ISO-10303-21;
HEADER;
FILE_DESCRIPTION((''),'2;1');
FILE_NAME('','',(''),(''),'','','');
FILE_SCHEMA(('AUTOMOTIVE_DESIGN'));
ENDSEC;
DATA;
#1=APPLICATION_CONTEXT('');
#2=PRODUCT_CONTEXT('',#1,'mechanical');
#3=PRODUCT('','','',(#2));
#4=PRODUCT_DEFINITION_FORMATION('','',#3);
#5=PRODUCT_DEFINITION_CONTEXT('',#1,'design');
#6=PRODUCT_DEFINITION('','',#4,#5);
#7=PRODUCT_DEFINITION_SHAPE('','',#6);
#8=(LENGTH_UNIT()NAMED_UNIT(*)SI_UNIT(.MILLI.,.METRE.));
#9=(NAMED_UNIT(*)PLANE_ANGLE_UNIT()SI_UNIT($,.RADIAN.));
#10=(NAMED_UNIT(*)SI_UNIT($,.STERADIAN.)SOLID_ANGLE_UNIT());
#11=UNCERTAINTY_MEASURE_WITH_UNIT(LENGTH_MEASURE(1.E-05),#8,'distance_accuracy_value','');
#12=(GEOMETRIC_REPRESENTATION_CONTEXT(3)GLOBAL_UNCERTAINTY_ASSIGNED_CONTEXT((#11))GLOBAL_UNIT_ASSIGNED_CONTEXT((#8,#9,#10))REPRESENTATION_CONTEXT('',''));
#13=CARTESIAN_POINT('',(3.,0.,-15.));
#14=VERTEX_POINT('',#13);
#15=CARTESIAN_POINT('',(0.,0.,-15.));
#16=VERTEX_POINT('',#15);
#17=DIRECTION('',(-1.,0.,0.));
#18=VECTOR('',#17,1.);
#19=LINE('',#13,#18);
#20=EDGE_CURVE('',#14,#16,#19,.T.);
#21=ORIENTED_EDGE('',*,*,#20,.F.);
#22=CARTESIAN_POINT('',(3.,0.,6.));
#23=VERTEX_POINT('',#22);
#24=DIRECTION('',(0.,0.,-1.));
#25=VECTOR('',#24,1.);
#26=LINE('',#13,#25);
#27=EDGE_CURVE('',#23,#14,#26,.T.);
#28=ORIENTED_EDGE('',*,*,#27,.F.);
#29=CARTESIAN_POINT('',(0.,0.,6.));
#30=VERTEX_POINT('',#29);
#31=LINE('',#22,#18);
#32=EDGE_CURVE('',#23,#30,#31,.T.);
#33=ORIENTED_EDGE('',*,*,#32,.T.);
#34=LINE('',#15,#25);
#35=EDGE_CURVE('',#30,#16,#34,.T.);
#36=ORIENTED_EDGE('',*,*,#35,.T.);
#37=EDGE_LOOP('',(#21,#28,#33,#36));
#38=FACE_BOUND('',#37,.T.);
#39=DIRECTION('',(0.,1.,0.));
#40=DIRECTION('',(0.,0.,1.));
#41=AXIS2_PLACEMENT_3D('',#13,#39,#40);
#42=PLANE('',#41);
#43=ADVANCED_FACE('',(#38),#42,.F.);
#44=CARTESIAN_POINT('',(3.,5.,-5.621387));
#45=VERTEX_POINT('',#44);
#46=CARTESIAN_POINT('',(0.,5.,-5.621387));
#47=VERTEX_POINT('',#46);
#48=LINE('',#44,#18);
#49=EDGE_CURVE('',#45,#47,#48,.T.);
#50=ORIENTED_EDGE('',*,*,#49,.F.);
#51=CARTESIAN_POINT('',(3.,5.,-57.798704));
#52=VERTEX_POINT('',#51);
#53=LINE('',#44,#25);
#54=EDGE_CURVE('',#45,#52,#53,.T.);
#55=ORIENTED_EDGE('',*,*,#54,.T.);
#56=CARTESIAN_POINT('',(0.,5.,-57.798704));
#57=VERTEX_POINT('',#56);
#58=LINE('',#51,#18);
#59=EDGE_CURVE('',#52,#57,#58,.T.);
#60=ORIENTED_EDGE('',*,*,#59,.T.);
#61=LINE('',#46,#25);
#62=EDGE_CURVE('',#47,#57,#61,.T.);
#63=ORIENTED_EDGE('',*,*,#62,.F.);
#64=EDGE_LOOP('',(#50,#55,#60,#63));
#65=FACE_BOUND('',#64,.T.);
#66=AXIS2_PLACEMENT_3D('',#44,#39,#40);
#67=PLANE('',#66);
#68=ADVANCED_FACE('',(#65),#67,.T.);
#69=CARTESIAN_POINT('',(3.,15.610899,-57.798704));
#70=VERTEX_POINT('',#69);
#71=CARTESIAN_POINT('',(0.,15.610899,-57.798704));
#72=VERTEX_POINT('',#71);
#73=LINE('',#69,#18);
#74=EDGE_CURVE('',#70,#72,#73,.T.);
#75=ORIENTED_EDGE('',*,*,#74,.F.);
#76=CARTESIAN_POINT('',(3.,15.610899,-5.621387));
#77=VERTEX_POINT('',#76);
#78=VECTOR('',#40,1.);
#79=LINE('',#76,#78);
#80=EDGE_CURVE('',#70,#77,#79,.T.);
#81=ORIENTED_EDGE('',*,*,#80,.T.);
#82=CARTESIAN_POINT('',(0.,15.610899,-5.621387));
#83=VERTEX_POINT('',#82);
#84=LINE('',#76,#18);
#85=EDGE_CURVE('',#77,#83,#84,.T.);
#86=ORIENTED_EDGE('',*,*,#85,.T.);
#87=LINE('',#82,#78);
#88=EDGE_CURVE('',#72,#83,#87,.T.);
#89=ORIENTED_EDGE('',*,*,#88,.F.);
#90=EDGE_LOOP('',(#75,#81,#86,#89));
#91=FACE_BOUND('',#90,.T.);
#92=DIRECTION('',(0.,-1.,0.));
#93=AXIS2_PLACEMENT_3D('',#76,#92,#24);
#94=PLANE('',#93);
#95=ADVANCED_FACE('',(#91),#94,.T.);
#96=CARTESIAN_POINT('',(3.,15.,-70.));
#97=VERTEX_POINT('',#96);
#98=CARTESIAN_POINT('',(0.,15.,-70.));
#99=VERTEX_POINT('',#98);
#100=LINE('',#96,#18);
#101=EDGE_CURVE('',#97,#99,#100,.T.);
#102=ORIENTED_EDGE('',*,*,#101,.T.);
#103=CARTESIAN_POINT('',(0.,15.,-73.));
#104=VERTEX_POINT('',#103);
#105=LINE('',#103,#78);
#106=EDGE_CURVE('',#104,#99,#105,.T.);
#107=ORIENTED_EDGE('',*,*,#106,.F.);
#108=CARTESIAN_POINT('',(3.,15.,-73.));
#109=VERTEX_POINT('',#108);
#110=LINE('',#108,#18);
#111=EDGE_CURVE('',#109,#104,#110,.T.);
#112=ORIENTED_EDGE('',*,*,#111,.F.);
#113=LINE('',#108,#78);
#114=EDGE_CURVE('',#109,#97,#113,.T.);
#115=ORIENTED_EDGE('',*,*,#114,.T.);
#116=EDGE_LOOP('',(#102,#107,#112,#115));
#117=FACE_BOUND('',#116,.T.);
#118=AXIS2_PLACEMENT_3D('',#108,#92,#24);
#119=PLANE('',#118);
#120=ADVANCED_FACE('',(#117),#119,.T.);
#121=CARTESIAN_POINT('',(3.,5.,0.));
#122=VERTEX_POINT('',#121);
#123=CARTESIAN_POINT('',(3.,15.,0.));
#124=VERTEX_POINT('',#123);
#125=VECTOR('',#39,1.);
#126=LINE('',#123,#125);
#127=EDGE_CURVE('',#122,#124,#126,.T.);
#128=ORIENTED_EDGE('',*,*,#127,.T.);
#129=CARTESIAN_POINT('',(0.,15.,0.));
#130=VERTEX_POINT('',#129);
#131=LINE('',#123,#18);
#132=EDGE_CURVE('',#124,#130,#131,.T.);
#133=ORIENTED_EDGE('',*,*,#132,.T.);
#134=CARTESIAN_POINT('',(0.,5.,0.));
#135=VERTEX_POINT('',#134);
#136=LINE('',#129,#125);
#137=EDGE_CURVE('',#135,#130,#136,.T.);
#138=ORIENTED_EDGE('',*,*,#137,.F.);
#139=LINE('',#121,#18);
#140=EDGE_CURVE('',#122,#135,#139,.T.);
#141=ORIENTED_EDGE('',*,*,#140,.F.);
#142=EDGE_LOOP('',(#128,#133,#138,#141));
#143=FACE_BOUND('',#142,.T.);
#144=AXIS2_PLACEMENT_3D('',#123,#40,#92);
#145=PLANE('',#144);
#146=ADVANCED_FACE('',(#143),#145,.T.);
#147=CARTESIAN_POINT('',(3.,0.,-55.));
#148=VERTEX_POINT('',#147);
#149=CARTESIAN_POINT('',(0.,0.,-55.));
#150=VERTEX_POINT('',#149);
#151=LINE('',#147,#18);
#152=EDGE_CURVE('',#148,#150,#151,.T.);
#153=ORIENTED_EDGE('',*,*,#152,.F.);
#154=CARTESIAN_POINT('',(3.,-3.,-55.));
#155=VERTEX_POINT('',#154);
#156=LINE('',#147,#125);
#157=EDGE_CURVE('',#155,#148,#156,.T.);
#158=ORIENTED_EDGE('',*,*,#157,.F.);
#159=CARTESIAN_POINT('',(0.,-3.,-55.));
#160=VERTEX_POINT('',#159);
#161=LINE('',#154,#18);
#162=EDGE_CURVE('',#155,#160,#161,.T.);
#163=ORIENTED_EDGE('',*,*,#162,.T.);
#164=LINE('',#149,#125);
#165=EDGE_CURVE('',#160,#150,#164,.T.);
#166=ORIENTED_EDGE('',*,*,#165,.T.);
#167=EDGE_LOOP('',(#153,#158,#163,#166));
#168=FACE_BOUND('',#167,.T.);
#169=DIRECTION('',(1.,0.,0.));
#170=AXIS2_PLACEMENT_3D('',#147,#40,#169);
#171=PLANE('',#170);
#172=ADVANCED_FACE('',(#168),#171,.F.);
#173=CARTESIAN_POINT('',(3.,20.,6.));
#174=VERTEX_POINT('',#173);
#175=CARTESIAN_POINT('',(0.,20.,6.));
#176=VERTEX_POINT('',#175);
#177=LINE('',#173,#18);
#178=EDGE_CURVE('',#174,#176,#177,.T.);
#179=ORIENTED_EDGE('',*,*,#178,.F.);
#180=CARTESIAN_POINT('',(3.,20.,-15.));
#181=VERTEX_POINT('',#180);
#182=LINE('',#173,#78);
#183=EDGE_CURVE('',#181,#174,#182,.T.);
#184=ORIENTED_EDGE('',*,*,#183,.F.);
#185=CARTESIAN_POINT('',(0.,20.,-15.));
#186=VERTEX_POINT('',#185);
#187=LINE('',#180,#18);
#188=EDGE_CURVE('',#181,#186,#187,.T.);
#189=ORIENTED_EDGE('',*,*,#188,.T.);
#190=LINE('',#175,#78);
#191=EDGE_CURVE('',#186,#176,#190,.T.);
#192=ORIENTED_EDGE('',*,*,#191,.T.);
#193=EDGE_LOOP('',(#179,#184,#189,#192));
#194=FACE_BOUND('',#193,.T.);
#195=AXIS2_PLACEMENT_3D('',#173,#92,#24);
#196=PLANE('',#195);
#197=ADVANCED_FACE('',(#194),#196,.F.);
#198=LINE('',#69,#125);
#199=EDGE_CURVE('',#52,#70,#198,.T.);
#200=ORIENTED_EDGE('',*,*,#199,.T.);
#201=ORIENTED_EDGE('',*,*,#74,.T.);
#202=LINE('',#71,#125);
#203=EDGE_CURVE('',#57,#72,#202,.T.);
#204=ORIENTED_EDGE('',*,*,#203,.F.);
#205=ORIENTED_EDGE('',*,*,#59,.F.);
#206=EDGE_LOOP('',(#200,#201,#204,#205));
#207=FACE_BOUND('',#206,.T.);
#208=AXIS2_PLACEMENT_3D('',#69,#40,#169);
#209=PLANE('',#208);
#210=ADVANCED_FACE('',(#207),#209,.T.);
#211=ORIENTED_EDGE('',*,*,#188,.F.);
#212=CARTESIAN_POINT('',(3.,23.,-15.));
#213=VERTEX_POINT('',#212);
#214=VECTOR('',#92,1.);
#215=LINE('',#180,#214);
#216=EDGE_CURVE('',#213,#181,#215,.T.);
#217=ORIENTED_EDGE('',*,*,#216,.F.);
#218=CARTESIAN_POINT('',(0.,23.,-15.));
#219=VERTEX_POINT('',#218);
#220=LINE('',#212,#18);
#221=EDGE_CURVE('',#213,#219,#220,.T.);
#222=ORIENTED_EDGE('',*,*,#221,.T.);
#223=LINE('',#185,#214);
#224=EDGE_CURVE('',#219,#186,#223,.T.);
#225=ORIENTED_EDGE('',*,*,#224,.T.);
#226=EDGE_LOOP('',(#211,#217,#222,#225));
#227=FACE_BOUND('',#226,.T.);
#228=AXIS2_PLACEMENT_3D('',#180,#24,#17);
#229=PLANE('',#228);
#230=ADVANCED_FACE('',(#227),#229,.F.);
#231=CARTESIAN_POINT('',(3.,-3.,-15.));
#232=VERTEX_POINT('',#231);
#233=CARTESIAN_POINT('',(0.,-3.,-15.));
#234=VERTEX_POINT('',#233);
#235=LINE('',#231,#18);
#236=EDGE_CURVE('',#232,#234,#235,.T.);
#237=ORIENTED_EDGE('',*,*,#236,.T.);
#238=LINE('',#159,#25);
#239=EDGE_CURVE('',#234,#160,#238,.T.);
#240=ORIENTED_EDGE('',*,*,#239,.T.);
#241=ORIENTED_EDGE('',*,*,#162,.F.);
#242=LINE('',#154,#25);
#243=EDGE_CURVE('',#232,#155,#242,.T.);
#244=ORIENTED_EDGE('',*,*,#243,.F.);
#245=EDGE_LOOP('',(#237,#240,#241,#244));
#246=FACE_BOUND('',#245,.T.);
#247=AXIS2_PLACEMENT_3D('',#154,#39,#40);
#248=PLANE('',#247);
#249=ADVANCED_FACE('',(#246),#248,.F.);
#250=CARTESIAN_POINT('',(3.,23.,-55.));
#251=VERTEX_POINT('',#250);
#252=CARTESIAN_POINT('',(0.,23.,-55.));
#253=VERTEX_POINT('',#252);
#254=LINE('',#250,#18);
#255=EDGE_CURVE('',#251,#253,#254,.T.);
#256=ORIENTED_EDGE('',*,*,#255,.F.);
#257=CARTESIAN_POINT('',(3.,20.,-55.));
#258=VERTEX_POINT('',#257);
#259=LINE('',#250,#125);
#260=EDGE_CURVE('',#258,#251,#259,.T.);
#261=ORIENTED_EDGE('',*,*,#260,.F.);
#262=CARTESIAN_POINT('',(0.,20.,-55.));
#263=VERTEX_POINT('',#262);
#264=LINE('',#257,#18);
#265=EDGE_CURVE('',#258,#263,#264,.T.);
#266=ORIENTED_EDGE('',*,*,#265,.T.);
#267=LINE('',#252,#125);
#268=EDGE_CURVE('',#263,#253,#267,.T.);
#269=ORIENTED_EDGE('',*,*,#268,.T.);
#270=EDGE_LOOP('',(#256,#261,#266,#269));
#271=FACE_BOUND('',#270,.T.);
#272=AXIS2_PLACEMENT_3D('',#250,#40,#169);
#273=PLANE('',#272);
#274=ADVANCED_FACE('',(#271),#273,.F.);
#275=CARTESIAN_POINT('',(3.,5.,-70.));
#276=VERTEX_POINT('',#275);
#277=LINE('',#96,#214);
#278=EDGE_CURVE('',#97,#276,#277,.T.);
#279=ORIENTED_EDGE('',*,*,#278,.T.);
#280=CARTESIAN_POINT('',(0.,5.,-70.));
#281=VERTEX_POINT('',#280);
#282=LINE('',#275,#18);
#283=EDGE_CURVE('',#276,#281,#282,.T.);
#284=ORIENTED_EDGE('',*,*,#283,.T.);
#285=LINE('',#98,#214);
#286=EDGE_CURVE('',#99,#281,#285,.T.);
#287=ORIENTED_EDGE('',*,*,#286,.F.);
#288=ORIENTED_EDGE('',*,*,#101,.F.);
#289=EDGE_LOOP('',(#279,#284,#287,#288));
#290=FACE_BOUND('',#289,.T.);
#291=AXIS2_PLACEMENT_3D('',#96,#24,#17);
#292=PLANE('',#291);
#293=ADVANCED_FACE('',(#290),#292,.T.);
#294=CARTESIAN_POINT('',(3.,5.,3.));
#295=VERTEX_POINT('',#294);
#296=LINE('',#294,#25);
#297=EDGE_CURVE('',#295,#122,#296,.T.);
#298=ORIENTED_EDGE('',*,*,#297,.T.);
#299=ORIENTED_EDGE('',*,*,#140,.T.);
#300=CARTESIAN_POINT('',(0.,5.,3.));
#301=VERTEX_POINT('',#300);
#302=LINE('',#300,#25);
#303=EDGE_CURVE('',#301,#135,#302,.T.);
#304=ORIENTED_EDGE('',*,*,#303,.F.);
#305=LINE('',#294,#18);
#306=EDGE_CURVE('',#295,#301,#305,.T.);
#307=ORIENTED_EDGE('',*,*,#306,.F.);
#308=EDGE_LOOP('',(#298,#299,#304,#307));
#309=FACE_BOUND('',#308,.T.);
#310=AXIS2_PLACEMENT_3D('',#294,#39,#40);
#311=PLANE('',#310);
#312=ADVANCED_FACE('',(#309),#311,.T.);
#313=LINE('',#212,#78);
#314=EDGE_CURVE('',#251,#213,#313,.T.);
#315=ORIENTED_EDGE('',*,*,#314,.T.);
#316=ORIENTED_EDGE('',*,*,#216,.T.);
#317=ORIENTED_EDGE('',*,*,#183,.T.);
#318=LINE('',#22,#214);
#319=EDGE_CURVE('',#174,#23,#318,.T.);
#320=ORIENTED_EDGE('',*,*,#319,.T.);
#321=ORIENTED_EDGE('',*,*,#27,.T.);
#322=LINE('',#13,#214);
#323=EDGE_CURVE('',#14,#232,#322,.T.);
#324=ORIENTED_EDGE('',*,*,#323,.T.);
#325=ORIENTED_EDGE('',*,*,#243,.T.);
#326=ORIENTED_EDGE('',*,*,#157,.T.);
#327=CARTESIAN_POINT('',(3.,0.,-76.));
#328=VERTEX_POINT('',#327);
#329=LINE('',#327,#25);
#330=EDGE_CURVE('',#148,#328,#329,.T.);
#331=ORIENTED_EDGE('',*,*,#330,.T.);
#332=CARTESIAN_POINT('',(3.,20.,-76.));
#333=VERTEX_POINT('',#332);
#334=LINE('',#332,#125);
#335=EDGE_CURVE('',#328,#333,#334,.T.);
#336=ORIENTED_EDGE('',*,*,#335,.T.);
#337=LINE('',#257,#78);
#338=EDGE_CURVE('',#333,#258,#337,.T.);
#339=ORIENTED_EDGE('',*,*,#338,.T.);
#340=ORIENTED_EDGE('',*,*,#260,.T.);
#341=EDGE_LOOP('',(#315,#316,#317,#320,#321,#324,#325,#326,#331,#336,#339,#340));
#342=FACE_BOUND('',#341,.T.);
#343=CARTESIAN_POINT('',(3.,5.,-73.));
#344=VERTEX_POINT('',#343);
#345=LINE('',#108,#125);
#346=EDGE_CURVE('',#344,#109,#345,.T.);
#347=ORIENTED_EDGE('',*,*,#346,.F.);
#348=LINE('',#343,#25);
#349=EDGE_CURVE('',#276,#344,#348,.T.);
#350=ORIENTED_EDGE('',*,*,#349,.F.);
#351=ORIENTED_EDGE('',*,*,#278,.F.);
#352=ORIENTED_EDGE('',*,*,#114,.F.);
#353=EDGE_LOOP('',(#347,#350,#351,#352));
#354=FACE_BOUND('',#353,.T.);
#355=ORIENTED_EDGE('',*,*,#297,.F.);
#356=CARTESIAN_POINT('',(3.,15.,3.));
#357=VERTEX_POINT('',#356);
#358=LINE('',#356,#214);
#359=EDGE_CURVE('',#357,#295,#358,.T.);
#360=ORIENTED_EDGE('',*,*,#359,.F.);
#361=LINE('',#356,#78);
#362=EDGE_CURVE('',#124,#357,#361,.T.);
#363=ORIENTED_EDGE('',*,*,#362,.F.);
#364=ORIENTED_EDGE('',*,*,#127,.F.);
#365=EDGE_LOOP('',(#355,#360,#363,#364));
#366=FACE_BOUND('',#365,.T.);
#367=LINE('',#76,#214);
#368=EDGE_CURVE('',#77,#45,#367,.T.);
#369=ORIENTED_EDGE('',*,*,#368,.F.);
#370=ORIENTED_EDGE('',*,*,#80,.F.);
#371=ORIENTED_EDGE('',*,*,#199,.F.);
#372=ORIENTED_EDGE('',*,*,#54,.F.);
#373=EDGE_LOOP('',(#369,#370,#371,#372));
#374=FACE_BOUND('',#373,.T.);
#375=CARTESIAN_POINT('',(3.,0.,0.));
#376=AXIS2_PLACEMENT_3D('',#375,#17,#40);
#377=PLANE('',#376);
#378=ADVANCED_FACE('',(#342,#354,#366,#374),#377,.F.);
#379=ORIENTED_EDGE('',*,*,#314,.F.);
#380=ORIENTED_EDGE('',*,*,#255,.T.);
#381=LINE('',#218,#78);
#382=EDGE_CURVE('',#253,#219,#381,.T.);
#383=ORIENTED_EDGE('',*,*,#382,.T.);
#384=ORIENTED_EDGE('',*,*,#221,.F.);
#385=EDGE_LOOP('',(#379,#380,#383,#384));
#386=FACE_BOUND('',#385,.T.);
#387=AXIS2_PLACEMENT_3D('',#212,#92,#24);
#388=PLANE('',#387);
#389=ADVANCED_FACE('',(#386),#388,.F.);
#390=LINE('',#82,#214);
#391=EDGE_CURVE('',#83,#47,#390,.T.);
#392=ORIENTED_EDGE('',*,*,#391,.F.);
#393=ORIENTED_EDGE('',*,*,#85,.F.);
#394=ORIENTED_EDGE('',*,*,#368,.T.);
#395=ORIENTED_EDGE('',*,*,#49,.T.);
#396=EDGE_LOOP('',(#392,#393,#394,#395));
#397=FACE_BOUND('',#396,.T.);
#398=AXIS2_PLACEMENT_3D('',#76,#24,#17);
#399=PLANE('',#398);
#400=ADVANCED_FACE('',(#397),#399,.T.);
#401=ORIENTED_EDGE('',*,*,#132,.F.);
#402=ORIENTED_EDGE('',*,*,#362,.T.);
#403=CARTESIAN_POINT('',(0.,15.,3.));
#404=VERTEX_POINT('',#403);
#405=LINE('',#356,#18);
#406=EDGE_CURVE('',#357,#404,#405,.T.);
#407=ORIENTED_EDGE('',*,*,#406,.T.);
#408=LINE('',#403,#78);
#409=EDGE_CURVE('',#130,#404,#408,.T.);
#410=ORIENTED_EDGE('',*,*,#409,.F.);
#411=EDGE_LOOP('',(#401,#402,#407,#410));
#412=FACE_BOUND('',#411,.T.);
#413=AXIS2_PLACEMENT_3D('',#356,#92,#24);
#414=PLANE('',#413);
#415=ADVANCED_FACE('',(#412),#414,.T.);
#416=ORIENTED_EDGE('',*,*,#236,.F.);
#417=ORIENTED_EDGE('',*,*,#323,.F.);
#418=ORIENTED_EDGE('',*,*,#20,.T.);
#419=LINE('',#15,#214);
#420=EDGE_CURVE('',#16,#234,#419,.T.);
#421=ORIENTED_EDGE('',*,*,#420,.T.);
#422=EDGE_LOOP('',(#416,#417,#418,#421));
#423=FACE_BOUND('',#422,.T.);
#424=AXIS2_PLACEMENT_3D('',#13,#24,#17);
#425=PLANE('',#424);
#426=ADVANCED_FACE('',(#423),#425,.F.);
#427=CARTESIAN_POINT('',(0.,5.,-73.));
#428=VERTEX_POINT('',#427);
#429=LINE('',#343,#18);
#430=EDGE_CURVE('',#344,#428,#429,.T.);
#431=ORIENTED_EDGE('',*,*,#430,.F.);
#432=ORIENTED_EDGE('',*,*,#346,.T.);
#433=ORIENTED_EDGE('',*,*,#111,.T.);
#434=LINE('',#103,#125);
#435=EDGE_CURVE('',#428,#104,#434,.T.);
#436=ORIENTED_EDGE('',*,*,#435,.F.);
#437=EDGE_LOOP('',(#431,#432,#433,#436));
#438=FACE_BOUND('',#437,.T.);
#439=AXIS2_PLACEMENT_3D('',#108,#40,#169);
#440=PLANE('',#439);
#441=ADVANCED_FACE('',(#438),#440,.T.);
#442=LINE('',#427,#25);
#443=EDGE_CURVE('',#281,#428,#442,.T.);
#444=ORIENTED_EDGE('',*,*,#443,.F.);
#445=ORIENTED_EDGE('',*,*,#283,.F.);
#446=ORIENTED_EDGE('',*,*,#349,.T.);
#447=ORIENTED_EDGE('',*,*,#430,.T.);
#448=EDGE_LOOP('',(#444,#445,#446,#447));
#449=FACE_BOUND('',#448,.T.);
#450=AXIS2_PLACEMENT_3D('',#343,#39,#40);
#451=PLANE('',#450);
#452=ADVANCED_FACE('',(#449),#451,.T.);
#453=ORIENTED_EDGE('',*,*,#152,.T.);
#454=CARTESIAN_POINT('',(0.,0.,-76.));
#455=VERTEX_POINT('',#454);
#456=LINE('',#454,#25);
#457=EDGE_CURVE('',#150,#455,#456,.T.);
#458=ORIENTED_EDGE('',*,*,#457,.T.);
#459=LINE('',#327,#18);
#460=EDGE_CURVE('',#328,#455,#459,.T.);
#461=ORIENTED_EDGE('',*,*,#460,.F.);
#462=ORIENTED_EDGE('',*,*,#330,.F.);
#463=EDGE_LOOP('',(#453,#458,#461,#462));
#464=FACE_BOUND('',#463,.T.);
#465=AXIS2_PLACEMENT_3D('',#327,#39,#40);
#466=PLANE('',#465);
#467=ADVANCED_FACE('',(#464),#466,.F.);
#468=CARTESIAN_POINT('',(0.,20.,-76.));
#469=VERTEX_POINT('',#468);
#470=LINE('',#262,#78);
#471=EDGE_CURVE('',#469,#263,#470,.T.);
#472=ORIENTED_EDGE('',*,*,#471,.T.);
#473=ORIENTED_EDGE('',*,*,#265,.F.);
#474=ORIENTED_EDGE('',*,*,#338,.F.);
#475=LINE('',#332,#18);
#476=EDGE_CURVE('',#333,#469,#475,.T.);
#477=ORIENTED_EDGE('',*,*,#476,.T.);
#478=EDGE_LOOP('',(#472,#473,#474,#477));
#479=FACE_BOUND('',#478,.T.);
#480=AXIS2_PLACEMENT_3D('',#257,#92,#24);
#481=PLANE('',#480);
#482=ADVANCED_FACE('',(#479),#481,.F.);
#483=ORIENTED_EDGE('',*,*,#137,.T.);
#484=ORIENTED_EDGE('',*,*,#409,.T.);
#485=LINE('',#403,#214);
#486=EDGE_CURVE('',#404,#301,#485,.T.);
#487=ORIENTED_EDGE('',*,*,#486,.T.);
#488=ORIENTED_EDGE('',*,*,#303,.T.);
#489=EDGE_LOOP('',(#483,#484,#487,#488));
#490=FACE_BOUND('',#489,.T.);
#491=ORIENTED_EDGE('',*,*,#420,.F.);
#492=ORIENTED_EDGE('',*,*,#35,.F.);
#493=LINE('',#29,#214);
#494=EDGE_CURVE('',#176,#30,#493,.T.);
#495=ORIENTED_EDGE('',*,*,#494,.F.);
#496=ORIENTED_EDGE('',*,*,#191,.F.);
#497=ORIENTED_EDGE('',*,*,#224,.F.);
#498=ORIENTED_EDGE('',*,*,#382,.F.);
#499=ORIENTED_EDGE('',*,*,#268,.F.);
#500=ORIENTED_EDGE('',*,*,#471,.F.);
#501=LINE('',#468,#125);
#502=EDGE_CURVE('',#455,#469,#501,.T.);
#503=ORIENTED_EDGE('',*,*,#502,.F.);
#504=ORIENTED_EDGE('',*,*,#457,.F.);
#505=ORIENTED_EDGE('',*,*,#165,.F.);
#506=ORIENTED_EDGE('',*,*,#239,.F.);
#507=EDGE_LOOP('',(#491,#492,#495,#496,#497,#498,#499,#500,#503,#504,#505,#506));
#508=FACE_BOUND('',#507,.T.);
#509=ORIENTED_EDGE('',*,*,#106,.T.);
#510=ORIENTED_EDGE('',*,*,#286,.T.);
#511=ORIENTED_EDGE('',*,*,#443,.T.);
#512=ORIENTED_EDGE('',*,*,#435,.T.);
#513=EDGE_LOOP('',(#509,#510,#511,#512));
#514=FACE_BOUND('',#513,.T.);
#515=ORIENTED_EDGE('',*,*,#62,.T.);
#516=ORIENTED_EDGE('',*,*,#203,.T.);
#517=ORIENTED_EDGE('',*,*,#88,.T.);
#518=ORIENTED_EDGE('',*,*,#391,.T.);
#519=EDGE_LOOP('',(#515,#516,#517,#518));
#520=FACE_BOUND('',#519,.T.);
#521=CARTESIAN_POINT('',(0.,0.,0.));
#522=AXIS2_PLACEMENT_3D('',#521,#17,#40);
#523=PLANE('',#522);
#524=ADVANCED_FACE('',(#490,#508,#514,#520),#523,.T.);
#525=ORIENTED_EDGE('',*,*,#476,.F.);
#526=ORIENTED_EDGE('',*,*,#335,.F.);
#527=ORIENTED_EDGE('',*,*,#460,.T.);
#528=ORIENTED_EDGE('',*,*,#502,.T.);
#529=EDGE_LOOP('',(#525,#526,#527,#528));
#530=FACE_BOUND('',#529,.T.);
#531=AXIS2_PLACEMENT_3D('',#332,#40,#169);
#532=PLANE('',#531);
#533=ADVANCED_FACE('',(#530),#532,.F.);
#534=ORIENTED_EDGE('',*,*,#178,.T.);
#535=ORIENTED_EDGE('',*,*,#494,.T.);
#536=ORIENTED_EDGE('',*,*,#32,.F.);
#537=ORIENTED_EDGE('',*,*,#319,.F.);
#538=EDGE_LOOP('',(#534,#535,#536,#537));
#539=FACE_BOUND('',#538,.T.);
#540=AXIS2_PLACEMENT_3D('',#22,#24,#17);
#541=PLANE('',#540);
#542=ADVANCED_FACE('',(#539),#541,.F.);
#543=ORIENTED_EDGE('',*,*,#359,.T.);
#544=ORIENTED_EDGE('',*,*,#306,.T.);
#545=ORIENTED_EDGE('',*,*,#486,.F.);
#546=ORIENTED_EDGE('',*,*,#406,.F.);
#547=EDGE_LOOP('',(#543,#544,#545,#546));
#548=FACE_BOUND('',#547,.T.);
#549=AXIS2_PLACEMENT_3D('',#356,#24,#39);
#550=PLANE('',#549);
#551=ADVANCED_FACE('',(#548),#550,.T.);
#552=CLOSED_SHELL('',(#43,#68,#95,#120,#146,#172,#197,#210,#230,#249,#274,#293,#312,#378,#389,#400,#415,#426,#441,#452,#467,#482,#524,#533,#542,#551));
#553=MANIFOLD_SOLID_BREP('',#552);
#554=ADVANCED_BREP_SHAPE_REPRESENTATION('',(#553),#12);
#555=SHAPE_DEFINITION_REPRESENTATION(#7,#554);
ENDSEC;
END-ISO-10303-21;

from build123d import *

# Parameters (mm, degrees)
SKETCH1_W           = 3
SKETCH1_H           = 10
SKETCH1_W_2         = 52.177317389
SKETCH1_H_2         = 10.6108985
BOSS_EXTRUDE1_DEPTH = 3


with BuildPart() as part:
    # Sketch1 → Boss-Extrude1 (new body)
    with BuildSketch(Plane(origin=(0, 0, 0), x_dir=(0, 0, -1), z_dir=(1, 0, 0))):
        Polygon((-6, 0), (-6, 20), (15, 20), (15, 23), (55, 23), (55, 20), (76, 20), (76, 0), (55, 0), (55, -3), (15, -3), (15, 0), align=None)
        with Locations((-1.5, 10)):
            Rectangle(SKETCH1_W, SKETCH1_H, mode=Mode.SUBTRACT)
        with Locations((71.5, 10)):
            Rectangle(SKETCH1_W, SKETCH1_H, mode=Mode.SUBTRACT)
        with Locations((31.710045475, 10.30544925)):
            Rectangle(SKETCH1_W_2, SKETCH1_H_2, mode=Mode.SUBTRACT)
    extrude(amount=BOSS_EXTRUDE1_DEPTH)


solid = part.part
